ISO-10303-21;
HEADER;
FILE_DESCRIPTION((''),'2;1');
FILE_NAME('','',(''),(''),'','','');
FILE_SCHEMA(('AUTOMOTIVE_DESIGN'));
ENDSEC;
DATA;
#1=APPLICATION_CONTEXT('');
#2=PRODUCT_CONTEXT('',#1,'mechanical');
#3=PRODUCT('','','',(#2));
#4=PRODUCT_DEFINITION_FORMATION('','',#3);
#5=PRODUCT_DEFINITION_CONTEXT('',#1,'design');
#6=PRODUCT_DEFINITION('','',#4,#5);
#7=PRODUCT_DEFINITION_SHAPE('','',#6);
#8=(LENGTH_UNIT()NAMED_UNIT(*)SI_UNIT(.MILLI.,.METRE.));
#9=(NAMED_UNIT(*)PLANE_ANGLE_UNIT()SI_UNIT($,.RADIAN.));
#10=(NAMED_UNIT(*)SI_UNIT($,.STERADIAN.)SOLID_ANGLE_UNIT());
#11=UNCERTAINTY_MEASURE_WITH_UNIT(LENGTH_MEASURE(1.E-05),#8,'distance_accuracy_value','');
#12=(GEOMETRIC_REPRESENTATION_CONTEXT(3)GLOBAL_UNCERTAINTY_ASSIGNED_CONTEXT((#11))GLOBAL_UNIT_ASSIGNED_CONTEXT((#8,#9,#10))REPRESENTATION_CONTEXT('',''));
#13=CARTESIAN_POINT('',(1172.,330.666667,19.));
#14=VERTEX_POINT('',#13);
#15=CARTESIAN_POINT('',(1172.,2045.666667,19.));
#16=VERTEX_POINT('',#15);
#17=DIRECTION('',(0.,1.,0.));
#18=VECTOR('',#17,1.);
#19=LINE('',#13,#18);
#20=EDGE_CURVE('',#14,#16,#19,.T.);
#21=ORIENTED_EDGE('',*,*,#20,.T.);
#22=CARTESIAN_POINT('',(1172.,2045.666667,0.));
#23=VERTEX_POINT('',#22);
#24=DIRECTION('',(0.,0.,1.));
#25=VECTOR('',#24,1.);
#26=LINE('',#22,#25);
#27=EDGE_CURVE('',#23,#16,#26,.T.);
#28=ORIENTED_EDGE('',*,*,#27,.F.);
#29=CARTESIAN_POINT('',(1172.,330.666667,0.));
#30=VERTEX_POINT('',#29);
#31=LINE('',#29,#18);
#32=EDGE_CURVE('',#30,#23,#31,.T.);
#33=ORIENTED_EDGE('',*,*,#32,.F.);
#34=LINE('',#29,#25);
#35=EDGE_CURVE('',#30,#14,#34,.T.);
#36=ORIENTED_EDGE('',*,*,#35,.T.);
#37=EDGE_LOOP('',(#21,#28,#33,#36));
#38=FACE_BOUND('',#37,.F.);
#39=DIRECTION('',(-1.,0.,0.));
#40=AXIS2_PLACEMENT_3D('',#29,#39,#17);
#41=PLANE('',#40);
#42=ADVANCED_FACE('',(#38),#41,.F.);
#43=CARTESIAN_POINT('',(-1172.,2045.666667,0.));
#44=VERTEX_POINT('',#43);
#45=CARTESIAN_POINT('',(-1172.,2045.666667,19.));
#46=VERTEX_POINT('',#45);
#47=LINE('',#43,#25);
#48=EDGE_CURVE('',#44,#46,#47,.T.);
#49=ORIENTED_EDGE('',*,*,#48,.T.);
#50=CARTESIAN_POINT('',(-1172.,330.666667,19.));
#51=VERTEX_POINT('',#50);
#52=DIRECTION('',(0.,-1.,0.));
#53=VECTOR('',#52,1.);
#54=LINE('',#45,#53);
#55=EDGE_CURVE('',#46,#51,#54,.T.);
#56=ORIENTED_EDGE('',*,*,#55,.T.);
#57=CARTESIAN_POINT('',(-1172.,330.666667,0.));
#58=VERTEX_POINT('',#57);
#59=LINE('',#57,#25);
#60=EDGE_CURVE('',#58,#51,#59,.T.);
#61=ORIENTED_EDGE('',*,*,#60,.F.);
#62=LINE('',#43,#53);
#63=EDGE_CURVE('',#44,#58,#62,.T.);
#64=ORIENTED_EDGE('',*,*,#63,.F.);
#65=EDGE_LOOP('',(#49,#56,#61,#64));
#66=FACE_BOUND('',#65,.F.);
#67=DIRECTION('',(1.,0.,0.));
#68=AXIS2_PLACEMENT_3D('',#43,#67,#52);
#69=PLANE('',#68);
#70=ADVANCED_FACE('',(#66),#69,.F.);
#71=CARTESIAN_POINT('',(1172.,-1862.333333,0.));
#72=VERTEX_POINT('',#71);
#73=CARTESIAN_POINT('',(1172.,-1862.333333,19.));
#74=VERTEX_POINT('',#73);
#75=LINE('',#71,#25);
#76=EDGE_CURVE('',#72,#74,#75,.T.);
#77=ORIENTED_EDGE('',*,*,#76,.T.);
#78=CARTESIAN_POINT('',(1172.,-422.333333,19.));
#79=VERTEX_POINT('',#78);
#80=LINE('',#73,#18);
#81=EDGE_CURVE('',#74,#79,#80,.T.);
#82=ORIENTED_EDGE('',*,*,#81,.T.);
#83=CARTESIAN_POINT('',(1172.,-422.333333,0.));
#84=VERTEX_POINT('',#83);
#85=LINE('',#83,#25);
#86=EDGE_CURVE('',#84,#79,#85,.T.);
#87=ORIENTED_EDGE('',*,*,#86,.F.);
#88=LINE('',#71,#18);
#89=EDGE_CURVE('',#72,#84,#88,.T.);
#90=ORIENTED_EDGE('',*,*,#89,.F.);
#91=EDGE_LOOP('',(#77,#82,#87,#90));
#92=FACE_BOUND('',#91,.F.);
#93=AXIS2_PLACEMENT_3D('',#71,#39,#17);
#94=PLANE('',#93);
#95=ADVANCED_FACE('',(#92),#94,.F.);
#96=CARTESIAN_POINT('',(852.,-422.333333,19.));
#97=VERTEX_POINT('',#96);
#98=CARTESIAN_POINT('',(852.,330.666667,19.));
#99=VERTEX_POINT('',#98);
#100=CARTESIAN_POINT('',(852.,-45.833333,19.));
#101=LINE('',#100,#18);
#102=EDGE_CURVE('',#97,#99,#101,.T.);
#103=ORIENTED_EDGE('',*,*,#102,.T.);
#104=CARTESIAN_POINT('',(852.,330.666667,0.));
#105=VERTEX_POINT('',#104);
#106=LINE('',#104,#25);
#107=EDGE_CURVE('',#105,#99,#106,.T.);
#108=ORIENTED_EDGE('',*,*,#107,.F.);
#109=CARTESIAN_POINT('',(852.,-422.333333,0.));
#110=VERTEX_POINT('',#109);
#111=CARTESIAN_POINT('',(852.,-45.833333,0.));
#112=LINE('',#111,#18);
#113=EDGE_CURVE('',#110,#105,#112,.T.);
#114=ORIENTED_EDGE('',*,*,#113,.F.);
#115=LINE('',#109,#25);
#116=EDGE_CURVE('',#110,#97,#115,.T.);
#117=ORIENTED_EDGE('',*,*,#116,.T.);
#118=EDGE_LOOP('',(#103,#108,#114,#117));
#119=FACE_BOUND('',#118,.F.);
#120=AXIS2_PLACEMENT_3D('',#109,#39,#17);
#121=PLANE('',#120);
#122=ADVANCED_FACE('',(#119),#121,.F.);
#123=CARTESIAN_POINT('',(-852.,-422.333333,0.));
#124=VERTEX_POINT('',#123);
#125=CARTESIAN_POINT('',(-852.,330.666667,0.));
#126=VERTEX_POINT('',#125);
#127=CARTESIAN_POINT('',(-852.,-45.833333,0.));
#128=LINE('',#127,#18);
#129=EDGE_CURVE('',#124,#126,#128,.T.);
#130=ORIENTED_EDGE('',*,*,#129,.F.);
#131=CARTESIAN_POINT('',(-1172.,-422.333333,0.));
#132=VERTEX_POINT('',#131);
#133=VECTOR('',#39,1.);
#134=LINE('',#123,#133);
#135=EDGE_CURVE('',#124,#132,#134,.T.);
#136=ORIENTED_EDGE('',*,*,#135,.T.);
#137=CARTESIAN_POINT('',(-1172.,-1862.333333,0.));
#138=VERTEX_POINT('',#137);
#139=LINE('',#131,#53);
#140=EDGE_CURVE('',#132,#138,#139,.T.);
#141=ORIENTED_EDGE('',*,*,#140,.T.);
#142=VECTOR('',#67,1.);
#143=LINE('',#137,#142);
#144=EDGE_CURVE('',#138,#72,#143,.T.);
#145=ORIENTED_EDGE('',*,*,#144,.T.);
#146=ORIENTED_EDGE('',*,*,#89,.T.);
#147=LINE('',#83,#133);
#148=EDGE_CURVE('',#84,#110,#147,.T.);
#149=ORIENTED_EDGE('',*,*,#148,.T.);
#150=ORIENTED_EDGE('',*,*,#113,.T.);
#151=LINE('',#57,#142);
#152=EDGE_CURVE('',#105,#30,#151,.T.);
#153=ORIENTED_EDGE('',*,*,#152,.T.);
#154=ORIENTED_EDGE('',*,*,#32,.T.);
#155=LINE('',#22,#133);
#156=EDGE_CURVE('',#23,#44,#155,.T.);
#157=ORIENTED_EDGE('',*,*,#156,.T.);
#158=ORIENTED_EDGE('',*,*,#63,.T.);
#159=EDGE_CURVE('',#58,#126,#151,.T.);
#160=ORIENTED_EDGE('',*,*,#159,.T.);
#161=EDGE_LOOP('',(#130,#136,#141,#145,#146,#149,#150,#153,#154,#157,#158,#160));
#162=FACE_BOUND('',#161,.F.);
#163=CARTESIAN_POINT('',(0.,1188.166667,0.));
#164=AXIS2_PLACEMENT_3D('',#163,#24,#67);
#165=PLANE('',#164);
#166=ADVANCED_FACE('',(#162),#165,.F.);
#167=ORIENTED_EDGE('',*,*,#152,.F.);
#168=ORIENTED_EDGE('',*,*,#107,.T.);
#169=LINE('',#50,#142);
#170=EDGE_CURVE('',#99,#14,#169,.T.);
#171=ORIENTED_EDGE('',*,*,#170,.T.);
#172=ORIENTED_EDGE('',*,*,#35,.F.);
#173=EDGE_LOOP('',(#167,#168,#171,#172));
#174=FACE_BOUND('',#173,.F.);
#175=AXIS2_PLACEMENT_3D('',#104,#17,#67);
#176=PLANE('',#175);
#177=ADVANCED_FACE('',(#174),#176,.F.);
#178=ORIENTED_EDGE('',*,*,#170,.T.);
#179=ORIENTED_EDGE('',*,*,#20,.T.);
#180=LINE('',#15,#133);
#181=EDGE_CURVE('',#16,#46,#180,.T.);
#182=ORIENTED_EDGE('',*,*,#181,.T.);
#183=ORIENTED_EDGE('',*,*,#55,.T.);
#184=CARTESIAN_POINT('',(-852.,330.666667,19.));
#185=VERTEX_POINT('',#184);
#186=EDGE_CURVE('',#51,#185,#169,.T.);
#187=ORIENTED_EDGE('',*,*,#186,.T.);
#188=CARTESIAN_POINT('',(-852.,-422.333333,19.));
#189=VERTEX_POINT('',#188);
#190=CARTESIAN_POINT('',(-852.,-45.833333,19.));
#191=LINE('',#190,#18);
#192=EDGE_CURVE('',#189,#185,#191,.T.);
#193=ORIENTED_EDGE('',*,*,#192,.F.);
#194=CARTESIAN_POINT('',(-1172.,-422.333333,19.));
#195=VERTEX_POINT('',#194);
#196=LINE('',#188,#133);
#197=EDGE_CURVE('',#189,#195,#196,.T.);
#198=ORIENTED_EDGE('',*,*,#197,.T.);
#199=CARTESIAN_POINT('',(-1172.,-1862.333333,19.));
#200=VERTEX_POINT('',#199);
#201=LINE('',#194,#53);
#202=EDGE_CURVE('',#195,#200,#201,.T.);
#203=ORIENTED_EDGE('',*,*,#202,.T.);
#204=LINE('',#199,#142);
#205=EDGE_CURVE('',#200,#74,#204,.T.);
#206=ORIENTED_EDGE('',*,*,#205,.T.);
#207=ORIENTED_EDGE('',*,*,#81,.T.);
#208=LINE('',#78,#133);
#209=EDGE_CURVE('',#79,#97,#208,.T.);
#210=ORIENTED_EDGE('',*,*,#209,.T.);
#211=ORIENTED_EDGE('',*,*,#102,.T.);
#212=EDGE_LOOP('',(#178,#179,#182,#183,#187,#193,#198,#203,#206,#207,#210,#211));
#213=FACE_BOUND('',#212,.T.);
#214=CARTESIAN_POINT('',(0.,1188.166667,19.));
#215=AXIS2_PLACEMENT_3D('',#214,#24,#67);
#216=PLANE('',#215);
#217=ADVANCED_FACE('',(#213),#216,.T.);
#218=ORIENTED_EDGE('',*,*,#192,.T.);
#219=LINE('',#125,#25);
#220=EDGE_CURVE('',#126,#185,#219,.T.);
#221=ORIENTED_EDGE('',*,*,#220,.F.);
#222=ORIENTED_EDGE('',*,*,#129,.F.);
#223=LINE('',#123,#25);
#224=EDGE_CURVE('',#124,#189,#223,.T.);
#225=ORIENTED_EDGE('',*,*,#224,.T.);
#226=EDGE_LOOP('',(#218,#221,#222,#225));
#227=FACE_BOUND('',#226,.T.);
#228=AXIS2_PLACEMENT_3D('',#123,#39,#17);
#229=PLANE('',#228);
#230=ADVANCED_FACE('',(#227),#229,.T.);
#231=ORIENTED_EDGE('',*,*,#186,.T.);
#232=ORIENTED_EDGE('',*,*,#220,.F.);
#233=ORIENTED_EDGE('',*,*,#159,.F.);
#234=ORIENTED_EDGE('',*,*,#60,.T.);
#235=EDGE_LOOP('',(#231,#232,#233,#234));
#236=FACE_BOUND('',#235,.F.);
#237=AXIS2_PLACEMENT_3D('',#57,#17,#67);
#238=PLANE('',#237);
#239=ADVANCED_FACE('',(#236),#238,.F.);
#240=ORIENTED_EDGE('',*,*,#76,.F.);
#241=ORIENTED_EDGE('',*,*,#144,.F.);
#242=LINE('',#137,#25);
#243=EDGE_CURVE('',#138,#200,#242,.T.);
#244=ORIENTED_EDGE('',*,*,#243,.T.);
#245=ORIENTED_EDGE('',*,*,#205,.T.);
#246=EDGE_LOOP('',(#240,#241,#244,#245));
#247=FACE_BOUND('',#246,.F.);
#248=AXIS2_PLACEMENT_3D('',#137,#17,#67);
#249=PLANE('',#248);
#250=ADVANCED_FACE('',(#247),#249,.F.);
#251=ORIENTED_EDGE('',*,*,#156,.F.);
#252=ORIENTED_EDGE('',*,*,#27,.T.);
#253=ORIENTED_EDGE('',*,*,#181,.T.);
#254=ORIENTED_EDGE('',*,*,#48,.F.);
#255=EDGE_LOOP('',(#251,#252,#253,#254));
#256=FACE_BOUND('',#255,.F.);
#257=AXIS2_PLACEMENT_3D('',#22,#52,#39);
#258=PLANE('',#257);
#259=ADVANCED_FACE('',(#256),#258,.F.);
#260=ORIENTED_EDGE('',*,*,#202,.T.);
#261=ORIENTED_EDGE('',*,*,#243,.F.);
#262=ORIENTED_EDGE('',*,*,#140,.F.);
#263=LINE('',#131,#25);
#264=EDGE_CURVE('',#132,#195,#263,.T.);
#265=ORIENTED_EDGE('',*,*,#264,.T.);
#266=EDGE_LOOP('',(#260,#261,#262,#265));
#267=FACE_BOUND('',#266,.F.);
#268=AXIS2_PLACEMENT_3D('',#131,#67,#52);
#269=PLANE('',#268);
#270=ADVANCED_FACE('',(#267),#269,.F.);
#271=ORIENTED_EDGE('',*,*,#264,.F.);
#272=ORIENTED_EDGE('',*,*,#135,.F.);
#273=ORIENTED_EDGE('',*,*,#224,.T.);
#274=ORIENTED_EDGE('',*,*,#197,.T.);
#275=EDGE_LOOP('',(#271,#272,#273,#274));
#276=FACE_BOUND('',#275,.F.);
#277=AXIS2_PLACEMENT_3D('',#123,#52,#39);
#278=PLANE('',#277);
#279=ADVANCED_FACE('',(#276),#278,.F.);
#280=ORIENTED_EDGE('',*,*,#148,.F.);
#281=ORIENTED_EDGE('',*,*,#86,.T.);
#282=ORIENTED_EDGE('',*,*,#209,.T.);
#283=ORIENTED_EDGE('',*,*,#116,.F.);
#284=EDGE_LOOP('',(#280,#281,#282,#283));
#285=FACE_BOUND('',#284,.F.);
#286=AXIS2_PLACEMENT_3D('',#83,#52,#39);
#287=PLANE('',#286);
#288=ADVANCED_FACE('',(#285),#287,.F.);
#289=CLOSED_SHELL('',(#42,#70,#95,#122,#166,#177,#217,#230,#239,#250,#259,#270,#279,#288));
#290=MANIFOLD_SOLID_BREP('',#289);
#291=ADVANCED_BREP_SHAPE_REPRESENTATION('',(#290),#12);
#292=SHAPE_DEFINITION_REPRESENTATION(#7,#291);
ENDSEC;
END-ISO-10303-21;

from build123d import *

# Parameters (mm, degrees)
F0_W     = 1704
F0_H     = 753
F1_DEPTH = 19


with BuildPart() as f1:
    # F0 (on Top) → F1 (new body)
    with BuildSketch(Plane.XY):
        Polygon((-1172, 330.666667), (-852, 330.666667), (852, 330.666667), (1172, 330.666667), (1172, 2045.666667), (-1172, 2045.666667), align=None)
        with Locations((0, -45.833333)):
            Rectangle(F0_W, F0_H)
        Polygon((-852, -422.333333), (-1172, -422.333333), (-1172, -1862.333333), (1172, -1862.333333), (1172, -422.333333), (852, -422.333333), align=None)
    extrude(amount=F1_DEPTH)


solid = f1.part
